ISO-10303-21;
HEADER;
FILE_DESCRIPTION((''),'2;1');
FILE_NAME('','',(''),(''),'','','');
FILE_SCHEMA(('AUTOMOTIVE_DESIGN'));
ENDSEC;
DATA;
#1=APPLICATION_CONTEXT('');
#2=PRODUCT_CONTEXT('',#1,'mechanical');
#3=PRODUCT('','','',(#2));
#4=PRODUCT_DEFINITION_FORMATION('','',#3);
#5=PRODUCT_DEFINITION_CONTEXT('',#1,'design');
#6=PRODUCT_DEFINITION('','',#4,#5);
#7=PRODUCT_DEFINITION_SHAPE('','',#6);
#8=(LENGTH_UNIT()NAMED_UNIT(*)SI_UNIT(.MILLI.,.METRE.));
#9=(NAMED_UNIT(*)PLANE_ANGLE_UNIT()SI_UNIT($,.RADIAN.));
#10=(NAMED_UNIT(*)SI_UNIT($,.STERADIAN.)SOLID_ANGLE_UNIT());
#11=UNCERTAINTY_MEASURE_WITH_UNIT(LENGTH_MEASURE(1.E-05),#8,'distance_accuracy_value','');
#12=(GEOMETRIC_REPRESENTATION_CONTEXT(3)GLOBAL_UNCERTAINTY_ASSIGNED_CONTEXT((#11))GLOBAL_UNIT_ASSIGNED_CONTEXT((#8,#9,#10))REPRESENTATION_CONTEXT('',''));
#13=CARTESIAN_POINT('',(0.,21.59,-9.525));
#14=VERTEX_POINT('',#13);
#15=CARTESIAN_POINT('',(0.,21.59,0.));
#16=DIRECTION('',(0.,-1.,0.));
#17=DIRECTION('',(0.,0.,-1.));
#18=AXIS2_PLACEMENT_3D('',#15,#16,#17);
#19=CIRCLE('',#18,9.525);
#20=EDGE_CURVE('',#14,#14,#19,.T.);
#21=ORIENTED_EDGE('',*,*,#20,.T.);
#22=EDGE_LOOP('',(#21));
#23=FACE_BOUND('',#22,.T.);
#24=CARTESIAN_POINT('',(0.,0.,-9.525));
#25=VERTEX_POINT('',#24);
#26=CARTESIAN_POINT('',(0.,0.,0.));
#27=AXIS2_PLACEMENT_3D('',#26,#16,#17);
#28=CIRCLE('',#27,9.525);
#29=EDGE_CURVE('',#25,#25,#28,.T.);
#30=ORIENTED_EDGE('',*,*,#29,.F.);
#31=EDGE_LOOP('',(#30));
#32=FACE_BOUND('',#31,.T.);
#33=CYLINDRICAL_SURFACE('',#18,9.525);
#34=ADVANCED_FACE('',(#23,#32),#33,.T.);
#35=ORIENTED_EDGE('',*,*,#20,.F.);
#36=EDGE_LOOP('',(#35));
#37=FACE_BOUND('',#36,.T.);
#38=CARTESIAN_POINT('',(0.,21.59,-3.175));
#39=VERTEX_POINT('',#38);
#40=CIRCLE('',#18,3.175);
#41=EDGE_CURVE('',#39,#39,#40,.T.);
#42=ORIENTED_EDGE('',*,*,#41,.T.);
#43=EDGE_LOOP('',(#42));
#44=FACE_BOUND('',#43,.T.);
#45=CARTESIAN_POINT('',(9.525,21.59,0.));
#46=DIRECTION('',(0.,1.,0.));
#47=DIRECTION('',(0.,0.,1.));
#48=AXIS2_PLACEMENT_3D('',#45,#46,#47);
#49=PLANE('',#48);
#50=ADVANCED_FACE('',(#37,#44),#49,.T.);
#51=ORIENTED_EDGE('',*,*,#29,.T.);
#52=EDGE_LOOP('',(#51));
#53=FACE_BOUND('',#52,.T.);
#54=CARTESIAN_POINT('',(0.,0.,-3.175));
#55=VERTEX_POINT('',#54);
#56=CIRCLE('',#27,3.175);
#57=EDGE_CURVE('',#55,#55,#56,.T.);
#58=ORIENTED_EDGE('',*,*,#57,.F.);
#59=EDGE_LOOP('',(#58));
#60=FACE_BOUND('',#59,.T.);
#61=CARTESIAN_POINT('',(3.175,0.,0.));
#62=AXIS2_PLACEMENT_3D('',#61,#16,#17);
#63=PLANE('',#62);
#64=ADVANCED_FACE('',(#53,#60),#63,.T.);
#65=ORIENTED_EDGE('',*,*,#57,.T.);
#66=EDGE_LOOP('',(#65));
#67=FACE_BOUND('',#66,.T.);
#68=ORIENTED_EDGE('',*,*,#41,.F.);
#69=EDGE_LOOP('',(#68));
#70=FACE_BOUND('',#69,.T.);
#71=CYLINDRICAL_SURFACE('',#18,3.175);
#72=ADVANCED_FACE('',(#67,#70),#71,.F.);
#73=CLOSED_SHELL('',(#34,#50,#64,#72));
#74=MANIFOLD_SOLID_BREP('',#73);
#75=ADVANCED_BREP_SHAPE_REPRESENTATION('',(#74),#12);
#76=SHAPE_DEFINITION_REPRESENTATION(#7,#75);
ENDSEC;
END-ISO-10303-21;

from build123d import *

# Parameters (mm, degrees)
SKETCH1_W = 6.35
SKETCH1_H = 21.59


with BuildPart() as part:
    # Sketch1 → Revolve1 (revolve)
    with BuildSketch(Plane.XY):
        with Locations((6.35, 10.795)):
            Rectangle(SKETCH1_W, SKETCH1_H)
    revolve(axis=Axis((0, 21.59, 0), (0, -1, 0)))


solid = part.part
